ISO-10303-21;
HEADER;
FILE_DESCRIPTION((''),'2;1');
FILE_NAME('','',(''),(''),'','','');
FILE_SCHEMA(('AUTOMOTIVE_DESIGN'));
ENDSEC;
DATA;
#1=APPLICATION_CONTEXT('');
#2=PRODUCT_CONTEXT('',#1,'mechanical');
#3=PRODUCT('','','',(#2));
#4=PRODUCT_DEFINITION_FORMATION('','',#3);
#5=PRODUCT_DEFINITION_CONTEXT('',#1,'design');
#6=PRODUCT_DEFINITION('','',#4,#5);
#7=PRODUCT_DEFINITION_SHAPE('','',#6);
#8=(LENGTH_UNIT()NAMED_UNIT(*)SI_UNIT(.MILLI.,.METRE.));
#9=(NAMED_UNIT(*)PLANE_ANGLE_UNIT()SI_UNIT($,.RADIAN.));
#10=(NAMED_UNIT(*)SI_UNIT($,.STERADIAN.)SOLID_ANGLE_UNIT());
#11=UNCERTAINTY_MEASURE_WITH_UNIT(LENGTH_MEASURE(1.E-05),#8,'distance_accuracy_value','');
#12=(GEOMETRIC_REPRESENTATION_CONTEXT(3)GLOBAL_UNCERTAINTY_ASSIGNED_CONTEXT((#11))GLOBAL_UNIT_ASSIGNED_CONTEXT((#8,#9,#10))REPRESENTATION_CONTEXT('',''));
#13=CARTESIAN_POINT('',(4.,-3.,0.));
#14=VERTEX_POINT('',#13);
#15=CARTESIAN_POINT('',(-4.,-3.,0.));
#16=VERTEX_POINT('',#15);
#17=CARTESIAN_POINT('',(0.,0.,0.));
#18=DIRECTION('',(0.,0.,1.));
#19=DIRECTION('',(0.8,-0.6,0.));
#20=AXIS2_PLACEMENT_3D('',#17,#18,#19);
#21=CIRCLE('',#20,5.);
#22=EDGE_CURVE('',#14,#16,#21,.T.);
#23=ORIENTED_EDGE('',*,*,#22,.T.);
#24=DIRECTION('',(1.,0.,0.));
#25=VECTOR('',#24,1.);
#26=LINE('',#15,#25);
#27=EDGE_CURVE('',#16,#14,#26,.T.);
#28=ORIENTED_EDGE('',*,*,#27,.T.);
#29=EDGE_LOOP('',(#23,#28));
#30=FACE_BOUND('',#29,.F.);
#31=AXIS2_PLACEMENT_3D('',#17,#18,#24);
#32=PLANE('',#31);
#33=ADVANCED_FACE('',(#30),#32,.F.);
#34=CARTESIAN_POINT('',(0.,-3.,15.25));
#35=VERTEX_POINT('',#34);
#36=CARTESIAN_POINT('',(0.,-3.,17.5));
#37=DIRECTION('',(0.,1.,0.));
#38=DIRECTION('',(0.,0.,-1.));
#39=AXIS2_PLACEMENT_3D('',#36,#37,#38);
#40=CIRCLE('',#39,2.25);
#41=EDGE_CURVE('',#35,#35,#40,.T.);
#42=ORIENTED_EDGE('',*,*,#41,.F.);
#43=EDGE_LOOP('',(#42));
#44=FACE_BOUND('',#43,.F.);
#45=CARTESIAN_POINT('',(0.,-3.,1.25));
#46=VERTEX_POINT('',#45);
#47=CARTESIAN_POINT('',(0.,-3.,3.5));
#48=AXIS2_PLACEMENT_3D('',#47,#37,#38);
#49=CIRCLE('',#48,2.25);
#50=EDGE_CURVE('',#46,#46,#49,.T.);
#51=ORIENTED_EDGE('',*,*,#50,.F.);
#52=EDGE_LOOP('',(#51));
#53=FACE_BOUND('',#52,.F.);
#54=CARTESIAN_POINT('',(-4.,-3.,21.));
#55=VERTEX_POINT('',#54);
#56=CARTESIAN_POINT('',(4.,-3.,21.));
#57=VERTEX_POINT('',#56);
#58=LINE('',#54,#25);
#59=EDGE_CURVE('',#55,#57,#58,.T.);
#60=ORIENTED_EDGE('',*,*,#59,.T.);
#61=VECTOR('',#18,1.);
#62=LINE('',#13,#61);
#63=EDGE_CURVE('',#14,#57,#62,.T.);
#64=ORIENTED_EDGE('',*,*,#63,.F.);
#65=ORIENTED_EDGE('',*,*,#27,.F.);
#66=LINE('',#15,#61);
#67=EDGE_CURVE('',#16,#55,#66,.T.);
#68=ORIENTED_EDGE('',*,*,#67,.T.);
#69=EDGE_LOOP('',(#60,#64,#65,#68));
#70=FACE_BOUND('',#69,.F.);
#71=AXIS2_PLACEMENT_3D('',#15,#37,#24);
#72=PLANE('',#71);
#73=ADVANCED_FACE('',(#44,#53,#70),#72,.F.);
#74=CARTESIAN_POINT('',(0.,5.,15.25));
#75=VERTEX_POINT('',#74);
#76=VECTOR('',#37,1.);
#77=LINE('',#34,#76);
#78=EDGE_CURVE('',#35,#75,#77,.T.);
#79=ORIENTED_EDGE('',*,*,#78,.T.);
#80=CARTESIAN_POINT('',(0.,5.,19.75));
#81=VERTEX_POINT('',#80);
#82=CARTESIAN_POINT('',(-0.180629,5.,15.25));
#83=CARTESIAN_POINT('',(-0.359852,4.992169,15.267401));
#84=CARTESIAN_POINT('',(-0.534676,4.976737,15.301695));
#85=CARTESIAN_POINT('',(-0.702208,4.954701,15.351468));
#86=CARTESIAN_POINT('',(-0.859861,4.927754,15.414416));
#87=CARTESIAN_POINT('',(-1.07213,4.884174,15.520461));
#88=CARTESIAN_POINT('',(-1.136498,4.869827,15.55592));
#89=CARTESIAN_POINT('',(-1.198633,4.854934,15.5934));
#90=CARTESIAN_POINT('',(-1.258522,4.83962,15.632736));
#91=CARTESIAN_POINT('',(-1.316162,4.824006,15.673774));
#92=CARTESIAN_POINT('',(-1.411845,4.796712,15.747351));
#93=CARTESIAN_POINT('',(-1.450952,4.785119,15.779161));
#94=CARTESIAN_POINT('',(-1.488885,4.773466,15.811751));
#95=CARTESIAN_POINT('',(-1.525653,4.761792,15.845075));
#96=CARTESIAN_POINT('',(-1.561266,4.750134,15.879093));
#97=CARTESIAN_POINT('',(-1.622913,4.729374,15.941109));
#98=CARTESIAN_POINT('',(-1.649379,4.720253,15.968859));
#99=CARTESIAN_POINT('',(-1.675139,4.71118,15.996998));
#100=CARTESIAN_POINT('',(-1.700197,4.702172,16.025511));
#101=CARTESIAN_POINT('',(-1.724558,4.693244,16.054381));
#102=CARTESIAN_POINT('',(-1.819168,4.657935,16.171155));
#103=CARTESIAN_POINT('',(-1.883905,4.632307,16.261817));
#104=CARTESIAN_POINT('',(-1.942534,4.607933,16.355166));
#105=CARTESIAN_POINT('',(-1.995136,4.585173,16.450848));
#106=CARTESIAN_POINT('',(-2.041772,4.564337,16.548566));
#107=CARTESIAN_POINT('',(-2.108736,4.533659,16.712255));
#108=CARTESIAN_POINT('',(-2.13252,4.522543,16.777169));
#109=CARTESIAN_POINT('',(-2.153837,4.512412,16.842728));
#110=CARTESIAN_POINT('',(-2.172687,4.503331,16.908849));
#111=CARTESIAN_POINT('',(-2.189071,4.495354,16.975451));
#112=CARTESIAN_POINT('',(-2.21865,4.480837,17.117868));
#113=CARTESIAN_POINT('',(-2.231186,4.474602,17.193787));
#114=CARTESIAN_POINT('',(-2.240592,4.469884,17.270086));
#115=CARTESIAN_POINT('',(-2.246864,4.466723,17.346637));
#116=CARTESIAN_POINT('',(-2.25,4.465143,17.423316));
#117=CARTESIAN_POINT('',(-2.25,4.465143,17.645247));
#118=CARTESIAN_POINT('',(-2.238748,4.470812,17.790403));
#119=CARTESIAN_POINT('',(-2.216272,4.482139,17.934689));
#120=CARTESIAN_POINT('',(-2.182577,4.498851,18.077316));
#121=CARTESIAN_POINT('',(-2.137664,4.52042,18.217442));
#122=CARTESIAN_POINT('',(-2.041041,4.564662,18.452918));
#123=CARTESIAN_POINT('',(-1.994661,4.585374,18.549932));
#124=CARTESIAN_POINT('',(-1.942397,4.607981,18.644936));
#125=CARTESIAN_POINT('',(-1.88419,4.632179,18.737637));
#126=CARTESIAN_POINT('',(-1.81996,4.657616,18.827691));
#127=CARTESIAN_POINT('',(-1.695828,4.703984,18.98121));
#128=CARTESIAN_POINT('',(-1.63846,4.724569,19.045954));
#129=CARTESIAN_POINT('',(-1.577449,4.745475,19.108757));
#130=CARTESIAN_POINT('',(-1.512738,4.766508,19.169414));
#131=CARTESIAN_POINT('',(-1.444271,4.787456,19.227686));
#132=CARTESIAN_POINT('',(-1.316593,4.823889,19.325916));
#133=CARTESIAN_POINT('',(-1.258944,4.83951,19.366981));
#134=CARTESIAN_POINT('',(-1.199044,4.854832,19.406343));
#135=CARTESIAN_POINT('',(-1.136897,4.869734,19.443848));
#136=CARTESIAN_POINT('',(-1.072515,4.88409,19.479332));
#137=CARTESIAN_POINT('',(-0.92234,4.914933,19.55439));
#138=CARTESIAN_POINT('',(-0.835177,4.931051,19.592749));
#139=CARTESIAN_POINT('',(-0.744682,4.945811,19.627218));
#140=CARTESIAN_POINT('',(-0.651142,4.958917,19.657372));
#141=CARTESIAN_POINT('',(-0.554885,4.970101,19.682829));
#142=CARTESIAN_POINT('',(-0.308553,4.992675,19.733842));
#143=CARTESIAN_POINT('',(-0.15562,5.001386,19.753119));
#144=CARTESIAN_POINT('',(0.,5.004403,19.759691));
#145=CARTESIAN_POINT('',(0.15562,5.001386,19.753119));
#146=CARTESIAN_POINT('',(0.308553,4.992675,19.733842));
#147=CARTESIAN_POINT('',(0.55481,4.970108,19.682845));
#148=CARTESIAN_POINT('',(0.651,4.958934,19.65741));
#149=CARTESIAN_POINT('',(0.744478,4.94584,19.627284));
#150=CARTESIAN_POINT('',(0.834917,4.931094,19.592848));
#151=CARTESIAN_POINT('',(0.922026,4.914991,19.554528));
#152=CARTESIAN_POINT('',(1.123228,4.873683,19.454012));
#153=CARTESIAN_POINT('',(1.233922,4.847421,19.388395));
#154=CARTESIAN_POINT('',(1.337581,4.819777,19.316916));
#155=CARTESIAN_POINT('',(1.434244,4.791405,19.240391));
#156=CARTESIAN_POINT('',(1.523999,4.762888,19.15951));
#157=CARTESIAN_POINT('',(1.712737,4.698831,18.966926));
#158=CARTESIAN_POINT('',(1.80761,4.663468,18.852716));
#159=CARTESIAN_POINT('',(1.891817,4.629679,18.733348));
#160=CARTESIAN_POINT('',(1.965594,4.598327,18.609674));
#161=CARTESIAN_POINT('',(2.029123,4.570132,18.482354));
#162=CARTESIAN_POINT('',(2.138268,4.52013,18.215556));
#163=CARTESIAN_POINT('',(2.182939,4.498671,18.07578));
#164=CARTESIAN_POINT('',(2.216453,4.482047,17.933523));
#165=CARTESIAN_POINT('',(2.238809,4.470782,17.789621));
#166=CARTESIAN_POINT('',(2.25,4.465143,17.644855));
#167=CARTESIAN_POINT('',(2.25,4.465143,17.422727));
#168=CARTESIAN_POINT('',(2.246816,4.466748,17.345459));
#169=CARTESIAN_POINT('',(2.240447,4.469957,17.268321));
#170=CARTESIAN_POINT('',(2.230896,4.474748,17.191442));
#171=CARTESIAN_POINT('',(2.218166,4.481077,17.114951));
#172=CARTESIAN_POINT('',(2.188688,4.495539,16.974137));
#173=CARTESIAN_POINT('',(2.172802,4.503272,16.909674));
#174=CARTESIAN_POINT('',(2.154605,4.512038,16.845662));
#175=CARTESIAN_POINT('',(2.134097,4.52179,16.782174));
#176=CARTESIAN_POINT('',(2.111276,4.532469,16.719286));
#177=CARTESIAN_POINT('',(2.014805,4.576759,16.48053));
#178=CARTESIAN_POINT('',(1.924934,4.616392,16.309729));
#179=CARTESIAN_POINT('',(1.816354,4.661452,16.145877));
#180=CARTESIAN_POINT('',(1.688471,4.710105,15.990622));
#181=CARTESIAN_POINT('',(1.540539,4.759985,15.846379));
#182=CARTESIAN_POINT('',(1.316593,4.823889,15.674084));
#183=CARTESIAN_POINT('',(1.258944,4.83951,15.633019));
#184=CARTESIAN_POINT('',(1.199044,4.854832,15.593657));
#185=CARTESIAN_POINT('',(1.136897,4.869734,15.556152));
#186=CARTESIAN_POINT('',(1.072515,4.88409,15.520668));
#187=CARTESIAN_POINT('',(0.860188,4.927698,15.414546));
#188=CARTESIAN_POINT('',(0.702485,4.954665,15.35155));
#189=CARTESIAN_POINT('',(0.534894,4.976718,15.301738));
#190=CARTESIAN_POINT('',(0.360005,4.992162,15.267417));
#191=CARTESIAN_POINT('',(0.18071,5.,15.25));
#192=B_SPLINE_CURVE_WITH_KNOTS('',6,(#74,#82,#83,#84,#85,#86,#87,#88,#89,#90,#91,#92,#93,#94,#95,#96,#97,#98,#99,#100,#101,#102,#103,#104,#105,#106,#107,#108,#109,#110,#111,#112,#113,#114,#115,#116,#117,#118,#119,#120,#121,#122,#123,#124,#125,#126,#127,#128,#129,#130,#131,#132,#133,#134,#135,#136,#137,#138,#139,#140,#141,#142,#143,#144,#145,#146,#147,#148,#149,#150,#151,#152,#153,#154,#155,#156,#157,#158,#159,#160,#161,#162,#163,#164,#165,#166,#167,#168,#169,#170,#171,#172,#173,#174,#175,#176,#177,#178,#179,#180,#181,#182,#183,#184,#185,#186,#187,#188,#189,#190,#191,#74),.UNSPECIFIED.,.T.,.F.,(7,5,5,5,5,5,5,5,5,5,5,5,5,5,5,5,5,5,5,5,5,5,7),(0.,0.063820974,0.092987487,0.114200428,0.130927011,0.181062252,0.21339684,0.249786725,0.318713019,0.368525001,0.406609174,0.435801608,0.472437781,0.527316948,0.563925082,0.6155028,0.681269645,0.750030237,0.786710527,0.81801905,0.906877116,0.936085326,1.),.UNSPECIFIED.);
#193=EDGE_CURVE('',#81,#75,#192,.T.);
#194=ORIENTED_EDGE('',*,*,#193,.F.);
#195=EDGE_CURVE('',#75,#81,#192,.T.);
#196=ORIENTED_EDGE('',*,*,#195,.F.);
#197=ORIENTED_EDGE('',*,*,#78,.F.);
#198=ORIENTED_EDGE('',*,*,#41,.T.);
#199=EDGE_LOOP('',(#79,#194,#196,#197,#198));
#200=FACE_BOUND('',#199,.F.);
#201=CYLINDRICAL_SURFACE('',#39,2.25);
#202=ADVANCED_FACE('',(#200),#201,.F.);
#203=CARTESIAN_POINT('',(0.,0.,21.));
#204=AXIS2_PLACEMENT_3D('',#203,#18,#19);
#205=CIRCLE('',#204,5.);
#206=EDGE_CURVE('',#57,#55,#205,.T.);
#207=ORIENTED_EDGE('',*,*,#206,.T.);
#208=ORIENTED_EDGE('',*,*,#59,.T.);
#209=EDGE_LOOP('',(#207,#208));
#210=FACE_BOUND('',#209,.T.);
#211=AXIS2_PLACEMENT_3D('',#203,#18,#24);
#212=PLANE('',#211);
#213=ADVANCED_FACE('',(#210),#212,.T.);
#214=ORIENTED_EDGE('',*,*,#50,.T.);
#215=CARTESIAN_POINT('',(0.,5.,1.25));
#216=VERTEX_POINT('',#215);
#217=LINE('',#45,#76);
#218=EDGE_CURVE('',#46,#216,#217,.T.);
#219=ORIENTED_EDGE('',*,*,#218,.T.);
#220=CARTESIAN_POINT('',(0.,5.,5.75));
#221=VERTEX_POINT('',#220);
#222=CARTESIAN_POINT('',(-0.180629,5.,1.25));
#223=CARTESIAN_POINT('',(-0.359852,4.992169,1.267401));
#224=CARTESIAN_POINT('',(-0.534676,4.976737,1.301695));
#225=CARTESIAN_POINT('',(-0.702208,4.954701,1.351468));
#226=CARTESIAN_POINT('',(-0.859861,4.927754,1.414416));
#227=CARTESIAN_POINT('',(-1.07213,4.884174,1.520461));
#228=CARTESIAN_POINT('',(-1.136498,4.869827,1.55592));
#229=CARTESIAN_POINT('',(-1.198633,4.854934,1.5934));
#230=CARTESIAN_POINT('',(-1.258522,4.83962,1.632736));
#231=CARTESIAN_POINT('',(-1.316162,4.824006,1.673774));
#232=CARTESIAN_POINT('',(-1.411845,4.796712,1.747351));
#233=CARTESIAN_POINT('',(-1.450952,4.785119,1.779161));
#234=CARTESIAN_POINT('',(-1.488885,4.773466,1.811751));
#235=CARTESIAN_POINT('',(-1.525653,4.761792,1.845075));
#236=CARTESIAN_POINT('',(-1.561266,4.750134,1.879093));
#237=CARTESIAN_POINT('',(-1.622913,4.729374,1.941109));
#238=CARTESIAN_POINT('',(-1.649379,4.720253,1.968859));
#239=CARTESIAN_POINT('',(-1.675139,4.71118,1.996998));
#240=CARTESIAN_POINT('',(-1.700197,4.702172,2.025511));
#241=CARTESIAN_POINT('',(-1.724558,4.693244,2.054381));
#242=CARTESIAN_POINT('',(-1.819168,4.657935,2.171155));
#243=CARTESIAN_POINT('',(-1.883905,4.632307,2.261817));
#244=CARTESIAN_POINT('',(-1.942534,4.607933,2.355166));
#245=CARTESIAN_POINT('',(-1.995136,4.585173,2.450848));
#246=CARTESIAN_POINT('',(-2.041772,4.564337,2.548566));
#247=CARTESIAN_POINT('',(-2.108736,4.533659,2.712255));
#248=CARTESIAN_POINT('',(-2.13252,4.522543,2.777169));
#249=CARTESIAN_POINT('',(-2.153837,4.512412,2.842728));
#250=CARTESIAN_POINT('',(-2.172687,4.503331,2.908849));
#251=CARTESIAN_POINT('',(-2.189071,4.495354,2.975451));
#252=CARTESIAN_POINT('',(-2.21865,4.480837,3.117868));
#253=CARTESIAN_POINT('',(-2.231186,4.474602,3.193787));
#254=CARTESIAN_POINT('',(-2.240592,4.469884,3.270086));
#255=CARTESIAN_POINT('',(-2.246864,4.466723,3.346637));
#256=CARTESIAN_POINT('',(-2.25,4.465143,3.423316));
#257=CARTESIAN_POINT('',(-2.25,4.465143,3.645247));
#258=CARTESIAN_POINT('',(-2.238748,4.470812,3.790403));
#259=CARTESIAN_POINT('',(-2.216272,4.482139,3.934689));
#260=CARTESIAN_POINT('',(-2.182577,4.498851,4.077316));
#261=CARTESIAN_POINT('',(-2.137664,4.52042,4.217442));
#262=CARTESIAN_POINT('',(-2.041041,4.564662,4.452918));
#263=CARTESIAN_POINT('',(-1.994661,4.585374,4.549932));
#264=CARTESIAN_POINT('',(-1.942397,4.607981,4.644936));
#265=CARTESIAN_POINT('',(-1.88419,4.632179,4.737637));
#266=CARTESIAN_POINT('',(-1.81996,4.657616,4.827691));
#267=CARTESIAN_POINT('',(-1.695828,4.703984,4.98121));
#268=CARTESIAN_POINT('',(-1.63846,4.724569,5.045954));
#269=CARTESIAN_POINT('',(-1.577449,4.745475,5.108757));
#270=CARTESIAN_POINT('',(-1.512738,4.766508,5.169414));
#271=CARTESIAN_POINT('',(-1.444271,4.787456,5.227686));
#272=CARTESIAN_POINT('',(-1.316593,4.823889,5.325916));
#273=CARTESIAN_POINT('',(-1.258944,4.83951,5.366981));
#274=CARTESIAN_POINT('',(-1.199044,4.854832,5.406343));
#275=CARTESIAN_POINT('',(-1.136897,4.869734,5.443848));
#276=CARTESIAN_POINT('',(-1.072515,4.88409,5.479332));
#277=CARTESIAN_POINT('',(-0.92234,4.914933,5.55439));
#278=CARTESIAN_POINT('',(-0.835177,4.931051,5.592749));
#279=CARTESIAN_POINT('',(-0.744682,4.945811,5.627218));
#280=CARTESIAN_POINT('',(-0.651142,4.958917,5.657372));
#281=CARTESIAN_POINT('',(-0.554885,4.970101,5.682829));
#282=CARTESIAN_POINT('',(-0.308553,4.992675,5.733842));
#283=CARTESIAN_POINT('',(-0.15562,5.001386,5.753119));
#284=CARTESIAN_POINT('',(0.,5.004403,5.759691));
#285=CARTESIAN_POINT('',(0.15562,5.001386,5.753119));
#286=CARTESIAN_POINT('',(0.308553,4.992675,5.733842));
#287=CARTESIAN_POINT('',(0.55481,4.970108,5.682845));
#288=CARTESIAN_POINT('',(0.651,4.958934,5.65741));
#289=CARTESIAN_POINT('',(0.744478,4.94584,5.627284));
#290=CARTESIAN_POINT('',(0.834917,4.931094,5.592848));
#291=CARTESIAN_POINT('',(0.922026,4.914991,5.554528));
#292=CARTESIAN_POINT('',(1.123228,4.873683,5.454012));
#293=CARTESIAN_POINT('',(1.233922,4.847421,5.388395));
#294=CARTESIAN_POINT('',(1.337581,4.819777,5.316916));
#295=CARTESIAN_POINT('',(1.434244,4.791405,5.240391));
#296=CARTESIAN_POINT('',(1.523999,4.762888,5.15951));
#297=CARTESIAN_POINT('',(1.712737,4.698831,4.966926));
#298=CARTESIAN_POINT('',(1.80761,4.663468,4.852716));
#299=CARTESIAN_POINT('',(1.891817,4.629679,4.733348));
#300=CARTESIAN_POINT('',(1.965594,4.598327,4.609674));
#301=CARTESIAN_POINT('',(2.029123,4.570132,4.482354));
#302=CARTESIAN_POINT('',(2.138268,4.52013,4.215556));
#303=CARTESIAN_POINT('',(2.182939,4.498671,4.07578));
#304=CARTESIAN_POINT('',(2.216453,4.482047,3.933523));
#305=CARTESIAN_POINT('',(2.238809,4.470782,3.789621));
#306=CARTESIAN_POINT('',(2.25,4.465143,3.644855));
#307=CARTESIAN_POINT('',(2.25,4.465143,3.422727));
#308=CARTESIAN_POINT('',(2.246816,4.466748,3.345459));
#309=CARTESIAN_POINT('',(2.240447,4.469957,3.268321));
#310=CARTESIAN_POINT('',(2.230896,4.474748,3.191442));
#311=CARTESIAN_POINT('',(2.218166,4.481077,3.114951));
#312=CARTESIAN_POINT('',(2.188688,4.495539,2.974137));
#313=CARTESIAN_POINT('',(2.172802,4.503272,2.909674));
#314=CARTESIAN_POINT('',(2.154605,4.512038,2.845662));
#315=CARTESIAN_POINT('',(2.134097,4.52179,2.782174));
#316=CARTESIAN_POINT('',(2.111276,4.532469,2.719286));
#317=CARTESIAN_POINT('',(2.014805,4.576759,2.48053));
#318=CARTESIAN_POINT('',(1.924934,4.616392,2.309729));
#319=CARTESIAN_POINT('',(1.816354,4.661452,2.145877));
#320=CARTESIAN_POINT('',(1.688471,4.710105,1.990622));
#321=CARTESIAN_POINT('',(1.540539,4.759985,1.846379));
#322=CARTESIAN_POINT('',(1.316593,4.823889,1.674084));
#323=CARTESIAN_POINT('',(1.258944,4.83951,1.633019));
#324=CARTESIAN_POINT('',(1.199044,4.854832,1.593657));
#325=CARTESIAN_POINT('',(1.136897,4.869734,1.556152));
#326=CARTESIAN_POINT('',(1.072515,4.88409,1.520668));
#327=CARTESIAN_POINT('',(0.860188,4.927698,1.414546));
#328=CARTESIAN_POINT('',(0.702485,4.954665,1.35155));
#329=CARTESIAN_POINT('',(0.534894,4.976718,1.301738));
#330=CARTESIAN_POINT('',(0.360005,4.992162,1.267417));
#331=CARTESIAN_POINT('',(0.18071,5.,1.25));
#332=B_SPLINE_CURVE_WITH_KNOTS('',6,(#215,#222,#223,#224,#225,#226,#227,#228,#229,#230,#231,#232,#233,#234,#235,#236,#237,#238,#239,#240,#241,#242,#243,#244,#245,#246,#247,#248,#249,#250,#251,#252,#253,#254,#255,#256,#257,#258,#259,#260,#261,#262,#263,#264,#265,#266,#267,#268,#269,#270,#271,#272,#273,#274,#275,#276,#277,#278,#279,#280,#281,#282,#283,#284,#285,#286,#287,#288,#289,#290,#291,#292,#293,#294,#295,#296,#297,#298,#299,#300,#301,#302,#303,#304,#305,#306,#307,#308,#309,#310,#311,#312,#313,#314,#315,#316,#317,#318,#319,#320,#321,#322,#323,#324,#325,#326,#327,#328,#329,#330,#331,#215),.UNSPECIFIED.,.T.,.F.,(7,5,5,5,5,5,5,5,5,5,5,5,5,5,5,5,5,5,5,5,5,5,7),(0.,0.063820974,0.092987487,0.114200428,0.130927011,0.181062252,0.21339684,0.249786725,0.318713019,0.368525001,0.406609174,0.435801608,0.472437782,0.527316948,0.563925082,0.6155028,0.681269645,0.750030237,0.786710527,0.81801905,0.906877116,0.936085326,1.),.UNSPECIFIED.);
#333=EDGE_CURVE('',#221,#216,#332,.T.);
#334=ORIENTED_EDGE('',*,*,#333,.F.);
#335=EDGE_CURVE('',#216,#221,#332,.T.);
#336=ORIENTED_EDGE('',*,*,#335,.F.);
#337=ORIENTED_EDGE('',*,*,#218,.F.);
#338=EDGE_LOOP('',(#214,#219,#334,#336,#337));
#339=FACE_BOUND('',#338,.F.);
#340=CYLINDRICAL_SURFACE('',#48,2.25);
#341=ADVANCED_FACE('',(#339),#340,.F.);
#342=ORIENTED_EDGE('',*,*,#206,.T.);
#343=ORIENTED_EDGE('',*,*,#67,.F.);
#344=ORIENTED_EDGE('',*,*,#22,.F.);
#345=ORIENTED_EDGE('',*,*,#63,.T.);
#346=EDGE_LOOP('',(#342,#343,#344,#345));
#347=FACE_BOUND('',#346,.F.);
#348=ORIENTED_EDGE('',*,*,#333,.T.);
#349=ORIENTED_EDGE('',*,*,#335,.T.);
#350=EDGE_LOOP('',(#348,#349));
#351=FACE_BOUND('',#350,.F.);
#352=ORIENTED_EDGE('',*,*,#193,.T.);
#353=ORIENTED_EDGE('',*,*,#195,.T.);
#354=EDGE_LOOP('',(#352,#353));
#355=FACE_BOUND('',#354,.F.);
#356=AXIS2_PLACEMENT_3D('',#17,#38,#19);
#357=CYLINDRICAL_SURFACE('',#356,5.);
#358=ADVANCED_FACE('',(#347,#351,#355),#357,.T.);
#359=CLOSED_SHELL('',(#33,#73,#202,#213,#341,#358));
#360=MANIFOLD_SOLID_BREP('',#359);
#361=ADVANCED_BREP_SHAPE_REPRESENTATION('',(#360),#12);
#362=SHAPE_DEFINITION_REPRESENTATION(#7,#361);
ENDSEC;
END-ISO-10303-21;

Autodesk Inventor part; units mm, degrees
ref_plane "YZ Plane" through (0, 0, 0) normal (1, 0, 0) x (0, 1, 0)
ref_plane "XZ Plane" through (0, 0, 0) normal (0, 1, 0) x (-1, 0, 0)
ref_plane "XY Plane" through (0, 0, 0) normal (0, 0, 1) x (1, 0, 0)
sketch "Sketch1" plane through (0, 0, 0) normal (0, 0, 1) x (1, 0, 0)
  arc A0 (4, -3) -> (-4, -3) centre (0, 0) ccw
  line L0 (-4, -3) -> (4, -3)
  dimension "d0" = 10
  dimension "d1" = 8
extrude "Extrusion1" add sketch "Sketch1" along normal blind 21
sketch "Sketch2" plane through (-4, -3, 0) normal (0, -1, 0) x (1, 0, 0)
  line L0 (8, 0) -> (0, 0) projected
  line L1 (8, 0) -> (8, 21) projected
  point P0 (4, 0)
  point P1 (4, 17.5)
  point P2 (4, 3.5)
  dimension "d6" = 4
  dimension "d14" = 14
  dimension "d15" = 3.5
hole "Hole1" at (0, -3, 17.5) at (0, -3, 3.5) direction (0, 1, 0) diameter 4.5 depth 8 tip angle 118
properties part number "Infill3DExtruderTensionDowel" material "ABS Plastic"
